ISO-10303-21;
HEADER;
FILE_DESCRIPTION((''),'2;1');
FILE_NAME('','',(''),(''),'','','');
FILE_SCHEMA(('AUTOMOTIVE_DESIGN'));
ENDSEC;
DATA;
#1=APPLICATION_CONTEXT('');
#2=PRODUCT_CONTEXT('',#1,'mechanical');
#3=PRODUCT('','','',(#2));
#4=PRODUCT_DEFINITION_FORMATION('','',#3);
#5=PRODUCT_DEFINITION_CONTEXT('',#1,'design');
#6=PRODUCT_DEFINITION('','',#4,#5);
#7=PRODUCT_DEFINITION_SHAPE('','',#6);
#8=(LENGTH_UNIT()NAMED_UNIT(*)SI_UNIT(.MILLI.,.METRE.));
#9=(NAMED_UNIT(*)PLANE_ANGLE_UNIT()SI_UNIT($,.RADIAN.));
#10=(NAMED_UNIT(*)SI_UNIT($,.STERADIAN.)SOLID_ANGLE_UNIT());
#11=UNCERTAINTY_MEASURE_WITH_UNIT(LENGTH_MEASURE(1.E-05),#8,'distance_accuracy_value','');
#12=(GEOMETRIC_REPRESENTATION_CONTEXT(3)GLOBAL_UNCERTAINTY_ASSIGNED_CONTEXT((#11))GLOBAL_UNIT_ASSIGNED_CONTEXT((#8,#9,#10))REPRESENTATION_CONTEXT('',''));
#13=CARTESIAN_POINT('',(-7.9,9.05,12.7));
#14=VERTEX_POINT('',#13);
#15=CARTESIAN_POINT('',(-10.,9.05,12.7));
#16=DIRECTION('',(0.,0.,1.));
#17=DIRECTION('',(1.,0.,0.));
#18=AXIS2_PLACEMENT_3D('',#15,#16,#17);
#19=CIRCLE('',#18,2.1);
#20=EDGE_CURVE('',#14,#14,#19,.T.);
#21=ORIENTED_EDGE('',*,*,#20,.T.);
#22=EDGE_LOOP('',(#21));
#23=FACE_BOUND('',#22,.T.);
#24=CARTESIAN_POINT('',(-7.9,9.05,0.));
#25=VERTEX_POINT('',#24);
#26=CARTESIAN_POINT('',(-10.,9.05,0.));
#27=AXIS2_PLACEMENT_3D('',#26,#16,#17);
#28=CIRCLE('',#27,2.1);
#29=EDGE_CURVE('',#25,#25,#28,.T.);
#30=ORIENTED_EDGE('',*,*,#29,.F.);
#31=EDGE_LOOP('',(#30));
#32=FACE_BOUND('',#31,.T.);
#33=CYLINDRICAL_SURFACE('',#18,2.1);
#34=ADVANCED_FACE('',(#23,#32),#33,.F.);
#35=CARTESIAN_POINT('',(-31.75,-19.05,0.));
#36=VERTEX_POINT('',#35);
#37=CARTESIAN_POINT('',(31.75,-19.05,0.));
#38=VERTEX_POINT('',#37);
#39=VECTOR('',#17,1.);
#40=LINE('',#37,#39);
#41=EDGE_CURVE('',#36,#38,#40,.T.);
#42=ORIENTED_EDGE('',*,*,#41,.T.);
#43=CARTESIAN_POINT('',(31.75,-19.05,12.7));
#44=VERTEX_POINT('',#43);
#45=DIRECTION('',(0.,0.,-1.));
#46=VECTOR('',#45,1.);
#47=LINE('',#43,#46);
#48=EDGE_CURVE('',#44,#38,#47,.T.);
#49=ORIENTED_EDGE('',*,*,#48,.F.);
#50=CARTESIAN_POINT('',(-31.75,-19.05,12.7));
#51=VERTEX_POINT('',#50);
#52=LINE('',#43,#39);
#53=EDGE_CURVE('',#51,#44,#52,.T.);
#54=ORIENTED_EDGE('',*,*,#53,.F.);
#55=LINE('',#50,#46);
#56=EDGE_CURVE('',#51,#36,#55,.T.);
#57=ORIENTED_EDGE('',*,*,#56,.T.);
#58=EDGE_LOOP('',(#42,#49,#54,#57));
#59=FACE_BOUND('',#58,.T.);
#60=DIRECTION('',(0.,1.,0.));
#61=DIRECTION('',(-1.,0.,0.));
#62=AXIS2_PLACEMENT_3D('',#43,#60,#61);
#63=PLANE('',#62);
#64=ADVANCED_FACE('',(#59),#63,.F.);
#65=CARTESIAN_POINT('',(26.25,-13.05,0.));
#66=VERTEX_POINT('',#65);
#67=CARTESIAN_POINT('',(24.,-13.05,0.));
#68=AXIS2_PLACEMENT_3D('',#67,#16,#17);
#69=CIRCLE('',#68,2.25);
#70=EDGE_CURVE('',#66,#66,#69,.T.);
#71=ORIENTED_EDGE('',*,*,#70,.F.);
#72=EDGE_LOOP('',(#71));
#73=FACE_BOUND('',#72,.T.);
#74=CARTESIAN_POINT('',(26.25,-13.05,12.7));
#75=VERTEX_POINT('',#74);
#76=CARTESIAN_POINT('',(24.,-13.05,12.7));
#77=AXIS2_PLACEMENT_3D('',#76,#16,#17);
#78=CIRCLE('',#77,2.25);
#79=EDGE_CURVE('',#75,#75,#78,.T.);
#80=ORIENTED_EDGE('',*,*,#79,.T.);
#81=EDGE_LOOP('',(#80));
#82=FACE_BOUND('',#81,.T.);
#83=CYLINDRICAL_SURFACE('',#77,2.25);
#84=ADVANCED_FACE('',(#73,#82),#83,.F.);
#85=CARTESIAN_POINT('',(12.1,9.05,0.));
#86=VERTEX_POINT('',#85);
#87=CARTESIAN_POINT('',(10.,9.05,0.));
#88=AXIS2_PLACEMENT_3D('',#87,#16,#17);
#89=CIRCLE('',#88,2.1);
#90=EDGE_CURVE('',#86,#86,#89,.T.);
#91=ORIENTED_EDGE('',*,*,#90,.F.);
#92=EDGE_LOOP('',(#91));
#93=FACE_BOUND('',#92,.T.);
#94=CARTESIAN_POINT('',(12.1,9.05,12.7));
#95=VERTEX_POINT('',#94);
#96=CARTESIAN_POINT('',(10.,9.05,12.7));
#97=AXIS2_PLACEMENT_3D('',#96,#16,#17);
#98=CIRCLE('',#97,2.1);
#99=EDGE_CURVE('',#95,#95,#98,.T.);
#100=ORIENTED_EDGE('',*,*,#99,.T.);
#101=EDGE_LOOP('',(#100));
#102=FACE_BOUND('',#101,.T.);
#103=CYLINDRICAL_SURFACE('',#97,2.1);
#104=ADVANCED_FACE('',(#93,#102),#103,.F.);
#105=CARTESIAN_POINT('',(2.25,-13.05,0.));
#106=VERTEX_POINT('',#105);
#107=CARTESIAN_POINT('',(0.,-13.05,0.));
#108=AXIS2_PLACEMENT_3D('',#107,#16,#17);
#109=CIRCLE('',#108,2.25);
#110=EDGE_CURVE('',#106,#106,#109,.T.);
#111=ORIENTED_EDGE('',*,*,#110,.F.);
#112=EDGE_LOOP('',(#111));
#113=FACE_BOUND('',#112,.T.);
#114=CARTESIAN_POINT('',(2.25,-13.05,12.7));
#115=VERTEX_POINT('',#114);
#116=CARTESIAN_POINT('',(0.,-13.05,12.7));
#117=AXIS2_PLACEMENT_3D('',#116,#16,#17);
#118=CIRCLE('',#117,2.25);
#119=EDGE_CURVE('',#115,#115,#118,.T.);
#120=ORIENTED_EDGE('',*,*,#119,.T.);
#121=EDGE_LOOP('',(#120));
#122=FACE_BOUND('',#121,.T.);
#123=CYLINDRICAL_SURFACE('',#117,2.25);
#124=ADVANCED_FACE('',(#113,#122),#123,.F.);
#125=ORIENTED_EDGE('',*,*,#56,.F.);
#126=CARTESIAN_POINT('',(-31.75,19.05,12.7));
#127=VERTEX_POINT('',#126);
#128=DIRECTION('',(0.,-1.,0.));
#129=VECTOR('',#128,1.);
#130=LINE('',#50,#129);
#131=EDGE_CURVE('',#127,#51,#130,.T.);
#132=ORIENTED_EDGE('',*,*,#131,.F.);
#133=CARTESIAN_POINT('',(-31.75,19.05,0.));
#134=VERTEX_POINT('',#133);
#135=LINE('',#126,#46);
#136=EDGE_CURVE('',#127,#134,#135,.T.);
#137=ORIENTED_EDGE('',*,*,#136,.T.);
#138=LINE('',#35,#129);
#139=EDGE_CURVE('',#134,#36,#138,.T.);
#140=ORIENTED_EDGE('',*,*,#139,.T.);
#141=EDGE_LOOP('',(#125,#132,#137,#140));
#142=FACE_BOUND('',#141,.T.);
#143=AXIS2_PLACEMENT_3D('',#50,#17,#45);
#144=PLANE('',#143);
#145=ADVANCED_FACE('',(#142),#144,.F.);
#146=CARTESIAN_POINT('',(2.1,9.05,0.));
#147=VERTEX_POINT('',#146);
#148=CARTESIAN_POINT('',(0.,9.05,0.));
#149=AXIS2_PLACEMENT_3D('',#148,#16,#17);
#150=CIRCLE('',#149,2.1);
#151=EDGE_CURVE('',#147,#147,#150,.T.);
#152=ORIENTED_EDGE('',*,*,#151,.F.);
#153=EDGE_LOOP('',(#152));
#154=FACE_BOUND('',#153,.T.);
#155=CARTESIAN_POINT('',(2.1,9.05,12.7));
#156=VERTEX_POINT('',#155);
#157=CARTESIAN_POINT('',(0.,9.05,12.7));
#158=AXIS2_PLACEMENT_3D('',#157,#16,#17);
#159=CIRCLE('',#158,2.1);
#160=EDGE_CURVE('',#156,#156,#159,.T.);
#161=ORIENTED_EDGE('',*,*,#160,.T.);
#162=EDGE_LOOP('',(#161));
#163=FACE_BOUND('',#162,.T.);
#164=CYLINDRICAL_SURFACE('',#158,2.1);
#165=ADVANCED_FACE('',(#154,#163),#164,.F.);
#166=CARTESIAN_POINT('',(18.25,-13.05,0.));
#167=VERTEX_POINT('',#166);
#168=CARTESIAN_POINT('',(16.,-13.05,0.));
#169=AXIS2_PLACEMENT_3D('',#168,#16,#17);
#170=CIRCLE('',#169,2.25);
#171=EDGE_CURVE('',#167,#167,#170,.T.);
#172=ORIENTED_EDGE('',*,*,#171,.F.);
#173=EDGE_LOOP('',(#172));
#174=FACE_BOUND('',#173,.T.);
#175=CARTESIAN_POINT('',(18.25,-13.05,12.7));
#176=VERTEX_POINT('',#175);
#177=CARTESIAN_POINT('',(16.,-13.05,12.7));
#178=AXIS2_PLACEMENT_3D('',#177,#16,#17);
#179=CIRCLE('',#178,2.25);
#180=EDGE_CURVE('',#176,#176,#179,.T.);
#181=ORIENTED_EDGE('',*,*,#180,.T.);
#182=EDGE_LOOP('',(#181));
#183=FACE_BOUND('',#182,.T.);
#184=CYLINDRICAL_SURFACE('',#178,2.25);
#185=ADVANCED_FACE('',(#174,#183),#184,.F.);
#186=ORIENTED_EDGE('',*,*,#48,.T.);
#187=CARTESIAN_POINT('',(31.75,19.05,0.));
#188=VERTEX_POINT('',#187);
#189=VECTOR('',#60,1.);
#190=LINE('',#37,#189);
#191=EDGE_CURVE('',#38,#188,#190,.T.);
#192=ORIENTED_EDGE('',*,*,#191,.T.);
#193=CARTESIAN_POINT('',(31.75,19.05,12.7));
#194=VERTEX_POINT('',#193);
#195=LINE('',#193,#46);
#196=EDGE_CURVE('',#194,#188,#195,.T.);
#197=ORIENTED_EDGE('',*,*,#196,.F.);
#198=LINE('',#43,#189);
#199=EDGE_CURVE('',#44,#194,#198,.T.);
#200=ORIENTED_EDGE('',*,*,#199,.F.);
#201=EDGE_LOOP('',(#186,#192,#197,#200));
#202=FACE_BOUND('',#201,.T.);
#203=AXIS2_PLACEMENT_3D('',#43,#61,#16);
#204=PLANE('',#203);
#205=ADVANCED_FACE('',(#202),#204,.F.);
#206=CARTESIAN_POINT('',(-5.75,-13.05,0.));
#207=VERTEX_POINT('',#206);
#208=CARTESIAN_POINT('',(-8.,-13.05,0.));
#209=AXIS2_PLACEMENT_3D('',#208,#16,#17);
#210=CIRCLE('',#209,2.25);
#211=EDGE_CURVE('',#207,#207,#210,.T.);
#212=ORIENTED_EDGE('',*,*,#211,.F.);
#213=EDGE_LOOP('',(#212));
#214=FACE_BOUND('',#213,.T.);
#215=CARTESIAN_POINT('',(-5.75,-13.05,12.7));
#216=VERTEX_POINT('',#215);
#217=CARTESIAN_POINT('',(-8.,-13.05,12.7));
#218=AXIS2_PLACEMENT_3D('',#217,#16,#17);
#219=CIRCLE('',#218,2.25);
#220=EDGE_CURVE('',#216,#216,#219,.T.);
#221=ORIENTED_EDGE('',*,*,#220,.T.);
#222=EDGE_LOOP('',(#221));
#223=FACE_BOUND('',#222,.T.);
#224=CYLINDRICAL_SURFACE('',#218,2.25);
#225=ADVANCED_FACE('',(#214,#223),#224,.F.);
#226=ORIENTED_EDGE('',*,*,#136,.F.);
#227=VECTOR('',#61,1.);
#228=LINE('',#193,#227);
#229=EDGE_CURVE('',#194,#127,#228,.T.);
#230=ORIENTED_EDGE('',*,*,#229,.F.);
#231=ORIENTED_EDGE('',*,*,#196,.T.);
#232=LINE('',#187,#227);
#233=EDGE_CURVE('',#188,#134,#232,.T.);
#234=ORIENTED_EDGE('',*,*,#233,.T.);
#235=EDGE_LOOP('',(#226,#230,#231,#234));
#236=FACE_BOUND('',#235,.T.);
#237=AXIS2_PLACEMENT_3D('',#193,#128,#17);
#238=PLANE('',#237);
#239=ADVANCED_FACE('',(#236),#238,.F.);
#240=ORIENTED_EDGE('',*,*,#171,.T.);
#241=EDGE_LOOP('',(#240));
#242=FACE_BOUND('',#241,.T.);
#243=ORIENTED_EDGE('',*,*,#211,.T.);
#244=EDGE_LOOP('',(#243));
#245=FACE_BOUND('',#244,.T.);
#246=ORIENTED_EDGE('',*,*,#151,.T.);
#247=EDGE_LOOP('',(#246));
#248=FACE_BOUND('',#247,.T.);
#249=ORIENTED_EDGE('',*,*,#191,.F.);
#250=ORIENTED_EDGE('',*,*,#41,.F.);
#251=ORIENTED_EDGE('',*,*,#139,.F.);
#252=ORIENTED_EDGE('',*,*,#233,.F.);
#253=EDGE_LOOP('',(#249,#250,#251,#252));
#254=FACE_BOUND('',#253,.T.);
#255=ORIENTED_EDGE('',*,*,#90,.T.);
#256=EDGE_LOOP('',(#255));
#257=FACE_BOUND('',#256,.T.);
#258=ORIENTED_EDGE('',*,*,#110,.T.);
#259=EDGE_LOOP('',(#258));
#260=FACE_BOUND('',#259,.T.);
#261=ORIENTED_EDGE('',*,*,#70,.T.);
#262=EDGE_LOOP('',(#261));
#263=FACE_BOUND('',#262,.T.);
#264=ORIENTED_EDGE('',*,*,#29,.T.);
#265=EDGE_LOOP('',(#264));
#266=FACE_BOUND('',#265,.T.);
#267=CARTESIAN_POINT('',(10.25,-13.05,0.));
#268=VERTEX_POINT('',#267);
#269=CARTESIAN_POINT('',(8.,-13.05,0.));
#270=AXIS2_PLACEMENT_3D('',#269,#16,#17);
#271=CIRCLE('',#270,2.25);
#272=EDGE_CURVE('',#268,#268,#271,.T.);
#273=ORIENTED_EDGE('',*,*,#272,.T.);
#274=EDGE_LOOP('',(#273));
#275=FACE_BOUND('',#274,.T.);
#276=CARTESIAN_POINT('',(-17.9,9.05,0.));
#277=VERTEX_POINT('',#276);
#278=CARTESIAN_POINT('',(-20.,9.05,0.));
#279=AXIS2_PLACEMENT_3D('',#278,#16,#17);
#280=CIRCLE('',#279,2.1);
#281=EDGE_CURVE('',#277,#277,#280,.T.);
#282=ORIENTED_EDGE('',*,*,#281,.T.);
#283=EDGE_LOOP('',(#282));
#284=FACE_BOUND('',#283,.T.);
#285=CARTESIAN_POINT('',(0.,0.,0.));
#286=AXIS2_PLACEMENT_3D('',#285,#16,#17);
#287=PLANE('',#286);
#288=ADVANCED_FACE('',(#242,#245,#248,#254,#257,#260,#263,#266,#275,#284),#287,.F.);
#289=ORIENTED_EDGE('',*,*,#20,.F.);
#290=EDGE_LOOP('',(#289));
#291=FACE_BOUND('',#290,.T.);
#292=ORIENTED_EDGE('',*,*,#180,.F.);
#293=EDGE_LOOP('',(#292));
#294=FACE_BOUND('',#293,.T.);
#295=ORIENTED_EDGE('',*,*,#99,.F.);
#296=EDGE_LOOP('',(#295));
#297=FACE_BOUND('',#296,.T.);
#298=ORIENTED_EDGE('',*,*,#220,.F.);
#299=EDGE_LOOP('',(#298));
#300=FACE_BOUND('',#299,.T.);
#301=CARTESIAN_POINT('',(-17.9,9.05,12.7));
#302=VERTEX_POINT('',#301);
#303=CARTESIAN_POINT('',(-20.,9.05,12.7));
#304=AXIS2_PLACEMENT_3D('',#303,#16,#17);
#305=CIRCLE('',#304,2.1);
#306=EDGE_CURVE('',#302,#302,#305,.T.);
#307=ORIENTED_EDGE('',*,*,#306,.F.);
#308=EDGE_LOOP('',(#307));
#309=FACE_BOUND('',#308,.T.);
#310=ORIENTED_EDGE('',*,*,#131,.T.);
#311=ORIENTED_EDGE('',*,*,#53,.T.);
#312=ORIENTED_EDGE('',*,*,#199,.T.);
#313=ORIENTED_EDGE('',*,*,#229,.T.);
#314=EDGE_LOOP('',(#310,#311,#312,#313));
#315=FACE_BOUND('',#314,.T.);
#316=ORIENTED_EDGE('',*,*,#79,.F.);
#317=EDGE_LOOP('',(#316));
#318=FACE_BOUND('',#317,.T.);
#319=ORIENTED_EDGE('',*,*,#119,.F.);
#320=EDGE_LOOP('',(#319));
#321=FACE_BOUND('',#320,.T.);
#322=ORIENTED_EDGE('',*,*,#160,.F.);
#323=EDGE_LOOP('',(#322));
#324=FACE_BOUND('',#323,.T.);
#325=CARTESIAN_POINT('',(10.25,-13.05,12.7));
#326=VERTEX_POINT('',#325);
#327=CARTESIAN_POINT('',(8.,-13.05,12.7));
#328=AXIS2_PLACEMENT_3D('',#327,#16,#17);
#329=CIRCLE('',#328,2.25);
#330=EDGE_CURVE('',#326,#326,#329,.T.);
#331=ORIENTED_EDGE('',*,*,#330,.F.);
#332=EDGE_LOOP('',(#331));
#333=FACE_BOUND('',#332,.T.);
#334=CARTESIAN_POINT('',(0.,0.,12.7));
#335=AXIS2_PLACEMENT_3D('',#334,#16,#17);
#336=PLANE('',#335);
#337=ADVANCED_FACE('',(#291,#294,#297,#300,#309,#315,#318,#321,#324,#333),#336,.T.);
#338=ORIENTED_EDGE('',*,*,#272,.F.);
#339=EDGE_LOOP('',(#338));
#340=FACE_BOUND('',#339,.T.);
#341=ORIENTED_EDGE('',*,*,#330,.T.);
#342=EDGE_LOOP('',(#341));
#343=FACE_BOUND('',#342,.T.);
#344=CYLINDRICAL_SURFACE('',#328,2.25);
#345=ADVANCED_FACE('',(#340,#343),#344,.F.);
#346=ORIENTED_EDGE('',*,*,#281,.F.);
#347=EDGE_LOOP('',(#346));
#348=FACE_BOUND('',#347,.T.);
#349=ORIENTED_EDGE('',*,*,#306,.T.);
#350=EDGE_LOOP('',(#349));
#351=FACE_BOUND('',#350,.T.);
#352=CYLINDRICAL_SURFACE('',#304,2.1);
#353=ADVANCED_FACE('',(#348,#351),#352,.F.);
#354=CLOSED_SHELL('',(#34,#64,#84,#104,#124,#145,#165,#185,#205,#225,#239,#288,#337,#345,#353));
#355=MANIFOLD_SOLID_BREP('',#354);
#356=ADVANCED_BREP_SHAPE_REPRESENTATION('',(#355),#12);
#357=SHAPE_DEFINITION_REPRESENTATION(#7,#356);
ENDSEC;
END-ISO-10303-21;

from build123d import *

# Parameters (mm, degrees)
SKETCH1_W             = 63.5
SKETCH1_H             = 38.1
BOSS_EXTRUDE1_DEPTH   = 12.7
M4_CLEARANCE_HOLE1_D  = 4.5
M5X0_8_TAPPED_HOLE1_D = 4.2


with BuildPart() as part:
    # Sketch1 → Boss-Extrude1 (new body)
    with BuildSketch(Plane.XY):
        Rectangle(SKETCH1_W, SKETCH1_H)
    extrude(amount=BOSS_EXTRUDE1_DEPTH)

    # M4 Clearance Hole1 (through all)
    with Locations(Plane.XY.offset(12.7)):
        with Locations((-8, -13.05), (0, -13.05), (8, -13.05), (16, -13.05), (24, -13.05)):
            Hole(M4_CLEARANCE_HOLE1_D / 2)

    # M5x0.8 Tapped Hole1 (through all)
    with Locations(Plane.XY.offset(12.7)):
        with Locations((-20, 9.05), (-10, 9.05), (0, 9.05), (10, 9.05)):
            Hole(M5X0_8_TAPPED_HOLE1_D / 2)


solid = part.part
